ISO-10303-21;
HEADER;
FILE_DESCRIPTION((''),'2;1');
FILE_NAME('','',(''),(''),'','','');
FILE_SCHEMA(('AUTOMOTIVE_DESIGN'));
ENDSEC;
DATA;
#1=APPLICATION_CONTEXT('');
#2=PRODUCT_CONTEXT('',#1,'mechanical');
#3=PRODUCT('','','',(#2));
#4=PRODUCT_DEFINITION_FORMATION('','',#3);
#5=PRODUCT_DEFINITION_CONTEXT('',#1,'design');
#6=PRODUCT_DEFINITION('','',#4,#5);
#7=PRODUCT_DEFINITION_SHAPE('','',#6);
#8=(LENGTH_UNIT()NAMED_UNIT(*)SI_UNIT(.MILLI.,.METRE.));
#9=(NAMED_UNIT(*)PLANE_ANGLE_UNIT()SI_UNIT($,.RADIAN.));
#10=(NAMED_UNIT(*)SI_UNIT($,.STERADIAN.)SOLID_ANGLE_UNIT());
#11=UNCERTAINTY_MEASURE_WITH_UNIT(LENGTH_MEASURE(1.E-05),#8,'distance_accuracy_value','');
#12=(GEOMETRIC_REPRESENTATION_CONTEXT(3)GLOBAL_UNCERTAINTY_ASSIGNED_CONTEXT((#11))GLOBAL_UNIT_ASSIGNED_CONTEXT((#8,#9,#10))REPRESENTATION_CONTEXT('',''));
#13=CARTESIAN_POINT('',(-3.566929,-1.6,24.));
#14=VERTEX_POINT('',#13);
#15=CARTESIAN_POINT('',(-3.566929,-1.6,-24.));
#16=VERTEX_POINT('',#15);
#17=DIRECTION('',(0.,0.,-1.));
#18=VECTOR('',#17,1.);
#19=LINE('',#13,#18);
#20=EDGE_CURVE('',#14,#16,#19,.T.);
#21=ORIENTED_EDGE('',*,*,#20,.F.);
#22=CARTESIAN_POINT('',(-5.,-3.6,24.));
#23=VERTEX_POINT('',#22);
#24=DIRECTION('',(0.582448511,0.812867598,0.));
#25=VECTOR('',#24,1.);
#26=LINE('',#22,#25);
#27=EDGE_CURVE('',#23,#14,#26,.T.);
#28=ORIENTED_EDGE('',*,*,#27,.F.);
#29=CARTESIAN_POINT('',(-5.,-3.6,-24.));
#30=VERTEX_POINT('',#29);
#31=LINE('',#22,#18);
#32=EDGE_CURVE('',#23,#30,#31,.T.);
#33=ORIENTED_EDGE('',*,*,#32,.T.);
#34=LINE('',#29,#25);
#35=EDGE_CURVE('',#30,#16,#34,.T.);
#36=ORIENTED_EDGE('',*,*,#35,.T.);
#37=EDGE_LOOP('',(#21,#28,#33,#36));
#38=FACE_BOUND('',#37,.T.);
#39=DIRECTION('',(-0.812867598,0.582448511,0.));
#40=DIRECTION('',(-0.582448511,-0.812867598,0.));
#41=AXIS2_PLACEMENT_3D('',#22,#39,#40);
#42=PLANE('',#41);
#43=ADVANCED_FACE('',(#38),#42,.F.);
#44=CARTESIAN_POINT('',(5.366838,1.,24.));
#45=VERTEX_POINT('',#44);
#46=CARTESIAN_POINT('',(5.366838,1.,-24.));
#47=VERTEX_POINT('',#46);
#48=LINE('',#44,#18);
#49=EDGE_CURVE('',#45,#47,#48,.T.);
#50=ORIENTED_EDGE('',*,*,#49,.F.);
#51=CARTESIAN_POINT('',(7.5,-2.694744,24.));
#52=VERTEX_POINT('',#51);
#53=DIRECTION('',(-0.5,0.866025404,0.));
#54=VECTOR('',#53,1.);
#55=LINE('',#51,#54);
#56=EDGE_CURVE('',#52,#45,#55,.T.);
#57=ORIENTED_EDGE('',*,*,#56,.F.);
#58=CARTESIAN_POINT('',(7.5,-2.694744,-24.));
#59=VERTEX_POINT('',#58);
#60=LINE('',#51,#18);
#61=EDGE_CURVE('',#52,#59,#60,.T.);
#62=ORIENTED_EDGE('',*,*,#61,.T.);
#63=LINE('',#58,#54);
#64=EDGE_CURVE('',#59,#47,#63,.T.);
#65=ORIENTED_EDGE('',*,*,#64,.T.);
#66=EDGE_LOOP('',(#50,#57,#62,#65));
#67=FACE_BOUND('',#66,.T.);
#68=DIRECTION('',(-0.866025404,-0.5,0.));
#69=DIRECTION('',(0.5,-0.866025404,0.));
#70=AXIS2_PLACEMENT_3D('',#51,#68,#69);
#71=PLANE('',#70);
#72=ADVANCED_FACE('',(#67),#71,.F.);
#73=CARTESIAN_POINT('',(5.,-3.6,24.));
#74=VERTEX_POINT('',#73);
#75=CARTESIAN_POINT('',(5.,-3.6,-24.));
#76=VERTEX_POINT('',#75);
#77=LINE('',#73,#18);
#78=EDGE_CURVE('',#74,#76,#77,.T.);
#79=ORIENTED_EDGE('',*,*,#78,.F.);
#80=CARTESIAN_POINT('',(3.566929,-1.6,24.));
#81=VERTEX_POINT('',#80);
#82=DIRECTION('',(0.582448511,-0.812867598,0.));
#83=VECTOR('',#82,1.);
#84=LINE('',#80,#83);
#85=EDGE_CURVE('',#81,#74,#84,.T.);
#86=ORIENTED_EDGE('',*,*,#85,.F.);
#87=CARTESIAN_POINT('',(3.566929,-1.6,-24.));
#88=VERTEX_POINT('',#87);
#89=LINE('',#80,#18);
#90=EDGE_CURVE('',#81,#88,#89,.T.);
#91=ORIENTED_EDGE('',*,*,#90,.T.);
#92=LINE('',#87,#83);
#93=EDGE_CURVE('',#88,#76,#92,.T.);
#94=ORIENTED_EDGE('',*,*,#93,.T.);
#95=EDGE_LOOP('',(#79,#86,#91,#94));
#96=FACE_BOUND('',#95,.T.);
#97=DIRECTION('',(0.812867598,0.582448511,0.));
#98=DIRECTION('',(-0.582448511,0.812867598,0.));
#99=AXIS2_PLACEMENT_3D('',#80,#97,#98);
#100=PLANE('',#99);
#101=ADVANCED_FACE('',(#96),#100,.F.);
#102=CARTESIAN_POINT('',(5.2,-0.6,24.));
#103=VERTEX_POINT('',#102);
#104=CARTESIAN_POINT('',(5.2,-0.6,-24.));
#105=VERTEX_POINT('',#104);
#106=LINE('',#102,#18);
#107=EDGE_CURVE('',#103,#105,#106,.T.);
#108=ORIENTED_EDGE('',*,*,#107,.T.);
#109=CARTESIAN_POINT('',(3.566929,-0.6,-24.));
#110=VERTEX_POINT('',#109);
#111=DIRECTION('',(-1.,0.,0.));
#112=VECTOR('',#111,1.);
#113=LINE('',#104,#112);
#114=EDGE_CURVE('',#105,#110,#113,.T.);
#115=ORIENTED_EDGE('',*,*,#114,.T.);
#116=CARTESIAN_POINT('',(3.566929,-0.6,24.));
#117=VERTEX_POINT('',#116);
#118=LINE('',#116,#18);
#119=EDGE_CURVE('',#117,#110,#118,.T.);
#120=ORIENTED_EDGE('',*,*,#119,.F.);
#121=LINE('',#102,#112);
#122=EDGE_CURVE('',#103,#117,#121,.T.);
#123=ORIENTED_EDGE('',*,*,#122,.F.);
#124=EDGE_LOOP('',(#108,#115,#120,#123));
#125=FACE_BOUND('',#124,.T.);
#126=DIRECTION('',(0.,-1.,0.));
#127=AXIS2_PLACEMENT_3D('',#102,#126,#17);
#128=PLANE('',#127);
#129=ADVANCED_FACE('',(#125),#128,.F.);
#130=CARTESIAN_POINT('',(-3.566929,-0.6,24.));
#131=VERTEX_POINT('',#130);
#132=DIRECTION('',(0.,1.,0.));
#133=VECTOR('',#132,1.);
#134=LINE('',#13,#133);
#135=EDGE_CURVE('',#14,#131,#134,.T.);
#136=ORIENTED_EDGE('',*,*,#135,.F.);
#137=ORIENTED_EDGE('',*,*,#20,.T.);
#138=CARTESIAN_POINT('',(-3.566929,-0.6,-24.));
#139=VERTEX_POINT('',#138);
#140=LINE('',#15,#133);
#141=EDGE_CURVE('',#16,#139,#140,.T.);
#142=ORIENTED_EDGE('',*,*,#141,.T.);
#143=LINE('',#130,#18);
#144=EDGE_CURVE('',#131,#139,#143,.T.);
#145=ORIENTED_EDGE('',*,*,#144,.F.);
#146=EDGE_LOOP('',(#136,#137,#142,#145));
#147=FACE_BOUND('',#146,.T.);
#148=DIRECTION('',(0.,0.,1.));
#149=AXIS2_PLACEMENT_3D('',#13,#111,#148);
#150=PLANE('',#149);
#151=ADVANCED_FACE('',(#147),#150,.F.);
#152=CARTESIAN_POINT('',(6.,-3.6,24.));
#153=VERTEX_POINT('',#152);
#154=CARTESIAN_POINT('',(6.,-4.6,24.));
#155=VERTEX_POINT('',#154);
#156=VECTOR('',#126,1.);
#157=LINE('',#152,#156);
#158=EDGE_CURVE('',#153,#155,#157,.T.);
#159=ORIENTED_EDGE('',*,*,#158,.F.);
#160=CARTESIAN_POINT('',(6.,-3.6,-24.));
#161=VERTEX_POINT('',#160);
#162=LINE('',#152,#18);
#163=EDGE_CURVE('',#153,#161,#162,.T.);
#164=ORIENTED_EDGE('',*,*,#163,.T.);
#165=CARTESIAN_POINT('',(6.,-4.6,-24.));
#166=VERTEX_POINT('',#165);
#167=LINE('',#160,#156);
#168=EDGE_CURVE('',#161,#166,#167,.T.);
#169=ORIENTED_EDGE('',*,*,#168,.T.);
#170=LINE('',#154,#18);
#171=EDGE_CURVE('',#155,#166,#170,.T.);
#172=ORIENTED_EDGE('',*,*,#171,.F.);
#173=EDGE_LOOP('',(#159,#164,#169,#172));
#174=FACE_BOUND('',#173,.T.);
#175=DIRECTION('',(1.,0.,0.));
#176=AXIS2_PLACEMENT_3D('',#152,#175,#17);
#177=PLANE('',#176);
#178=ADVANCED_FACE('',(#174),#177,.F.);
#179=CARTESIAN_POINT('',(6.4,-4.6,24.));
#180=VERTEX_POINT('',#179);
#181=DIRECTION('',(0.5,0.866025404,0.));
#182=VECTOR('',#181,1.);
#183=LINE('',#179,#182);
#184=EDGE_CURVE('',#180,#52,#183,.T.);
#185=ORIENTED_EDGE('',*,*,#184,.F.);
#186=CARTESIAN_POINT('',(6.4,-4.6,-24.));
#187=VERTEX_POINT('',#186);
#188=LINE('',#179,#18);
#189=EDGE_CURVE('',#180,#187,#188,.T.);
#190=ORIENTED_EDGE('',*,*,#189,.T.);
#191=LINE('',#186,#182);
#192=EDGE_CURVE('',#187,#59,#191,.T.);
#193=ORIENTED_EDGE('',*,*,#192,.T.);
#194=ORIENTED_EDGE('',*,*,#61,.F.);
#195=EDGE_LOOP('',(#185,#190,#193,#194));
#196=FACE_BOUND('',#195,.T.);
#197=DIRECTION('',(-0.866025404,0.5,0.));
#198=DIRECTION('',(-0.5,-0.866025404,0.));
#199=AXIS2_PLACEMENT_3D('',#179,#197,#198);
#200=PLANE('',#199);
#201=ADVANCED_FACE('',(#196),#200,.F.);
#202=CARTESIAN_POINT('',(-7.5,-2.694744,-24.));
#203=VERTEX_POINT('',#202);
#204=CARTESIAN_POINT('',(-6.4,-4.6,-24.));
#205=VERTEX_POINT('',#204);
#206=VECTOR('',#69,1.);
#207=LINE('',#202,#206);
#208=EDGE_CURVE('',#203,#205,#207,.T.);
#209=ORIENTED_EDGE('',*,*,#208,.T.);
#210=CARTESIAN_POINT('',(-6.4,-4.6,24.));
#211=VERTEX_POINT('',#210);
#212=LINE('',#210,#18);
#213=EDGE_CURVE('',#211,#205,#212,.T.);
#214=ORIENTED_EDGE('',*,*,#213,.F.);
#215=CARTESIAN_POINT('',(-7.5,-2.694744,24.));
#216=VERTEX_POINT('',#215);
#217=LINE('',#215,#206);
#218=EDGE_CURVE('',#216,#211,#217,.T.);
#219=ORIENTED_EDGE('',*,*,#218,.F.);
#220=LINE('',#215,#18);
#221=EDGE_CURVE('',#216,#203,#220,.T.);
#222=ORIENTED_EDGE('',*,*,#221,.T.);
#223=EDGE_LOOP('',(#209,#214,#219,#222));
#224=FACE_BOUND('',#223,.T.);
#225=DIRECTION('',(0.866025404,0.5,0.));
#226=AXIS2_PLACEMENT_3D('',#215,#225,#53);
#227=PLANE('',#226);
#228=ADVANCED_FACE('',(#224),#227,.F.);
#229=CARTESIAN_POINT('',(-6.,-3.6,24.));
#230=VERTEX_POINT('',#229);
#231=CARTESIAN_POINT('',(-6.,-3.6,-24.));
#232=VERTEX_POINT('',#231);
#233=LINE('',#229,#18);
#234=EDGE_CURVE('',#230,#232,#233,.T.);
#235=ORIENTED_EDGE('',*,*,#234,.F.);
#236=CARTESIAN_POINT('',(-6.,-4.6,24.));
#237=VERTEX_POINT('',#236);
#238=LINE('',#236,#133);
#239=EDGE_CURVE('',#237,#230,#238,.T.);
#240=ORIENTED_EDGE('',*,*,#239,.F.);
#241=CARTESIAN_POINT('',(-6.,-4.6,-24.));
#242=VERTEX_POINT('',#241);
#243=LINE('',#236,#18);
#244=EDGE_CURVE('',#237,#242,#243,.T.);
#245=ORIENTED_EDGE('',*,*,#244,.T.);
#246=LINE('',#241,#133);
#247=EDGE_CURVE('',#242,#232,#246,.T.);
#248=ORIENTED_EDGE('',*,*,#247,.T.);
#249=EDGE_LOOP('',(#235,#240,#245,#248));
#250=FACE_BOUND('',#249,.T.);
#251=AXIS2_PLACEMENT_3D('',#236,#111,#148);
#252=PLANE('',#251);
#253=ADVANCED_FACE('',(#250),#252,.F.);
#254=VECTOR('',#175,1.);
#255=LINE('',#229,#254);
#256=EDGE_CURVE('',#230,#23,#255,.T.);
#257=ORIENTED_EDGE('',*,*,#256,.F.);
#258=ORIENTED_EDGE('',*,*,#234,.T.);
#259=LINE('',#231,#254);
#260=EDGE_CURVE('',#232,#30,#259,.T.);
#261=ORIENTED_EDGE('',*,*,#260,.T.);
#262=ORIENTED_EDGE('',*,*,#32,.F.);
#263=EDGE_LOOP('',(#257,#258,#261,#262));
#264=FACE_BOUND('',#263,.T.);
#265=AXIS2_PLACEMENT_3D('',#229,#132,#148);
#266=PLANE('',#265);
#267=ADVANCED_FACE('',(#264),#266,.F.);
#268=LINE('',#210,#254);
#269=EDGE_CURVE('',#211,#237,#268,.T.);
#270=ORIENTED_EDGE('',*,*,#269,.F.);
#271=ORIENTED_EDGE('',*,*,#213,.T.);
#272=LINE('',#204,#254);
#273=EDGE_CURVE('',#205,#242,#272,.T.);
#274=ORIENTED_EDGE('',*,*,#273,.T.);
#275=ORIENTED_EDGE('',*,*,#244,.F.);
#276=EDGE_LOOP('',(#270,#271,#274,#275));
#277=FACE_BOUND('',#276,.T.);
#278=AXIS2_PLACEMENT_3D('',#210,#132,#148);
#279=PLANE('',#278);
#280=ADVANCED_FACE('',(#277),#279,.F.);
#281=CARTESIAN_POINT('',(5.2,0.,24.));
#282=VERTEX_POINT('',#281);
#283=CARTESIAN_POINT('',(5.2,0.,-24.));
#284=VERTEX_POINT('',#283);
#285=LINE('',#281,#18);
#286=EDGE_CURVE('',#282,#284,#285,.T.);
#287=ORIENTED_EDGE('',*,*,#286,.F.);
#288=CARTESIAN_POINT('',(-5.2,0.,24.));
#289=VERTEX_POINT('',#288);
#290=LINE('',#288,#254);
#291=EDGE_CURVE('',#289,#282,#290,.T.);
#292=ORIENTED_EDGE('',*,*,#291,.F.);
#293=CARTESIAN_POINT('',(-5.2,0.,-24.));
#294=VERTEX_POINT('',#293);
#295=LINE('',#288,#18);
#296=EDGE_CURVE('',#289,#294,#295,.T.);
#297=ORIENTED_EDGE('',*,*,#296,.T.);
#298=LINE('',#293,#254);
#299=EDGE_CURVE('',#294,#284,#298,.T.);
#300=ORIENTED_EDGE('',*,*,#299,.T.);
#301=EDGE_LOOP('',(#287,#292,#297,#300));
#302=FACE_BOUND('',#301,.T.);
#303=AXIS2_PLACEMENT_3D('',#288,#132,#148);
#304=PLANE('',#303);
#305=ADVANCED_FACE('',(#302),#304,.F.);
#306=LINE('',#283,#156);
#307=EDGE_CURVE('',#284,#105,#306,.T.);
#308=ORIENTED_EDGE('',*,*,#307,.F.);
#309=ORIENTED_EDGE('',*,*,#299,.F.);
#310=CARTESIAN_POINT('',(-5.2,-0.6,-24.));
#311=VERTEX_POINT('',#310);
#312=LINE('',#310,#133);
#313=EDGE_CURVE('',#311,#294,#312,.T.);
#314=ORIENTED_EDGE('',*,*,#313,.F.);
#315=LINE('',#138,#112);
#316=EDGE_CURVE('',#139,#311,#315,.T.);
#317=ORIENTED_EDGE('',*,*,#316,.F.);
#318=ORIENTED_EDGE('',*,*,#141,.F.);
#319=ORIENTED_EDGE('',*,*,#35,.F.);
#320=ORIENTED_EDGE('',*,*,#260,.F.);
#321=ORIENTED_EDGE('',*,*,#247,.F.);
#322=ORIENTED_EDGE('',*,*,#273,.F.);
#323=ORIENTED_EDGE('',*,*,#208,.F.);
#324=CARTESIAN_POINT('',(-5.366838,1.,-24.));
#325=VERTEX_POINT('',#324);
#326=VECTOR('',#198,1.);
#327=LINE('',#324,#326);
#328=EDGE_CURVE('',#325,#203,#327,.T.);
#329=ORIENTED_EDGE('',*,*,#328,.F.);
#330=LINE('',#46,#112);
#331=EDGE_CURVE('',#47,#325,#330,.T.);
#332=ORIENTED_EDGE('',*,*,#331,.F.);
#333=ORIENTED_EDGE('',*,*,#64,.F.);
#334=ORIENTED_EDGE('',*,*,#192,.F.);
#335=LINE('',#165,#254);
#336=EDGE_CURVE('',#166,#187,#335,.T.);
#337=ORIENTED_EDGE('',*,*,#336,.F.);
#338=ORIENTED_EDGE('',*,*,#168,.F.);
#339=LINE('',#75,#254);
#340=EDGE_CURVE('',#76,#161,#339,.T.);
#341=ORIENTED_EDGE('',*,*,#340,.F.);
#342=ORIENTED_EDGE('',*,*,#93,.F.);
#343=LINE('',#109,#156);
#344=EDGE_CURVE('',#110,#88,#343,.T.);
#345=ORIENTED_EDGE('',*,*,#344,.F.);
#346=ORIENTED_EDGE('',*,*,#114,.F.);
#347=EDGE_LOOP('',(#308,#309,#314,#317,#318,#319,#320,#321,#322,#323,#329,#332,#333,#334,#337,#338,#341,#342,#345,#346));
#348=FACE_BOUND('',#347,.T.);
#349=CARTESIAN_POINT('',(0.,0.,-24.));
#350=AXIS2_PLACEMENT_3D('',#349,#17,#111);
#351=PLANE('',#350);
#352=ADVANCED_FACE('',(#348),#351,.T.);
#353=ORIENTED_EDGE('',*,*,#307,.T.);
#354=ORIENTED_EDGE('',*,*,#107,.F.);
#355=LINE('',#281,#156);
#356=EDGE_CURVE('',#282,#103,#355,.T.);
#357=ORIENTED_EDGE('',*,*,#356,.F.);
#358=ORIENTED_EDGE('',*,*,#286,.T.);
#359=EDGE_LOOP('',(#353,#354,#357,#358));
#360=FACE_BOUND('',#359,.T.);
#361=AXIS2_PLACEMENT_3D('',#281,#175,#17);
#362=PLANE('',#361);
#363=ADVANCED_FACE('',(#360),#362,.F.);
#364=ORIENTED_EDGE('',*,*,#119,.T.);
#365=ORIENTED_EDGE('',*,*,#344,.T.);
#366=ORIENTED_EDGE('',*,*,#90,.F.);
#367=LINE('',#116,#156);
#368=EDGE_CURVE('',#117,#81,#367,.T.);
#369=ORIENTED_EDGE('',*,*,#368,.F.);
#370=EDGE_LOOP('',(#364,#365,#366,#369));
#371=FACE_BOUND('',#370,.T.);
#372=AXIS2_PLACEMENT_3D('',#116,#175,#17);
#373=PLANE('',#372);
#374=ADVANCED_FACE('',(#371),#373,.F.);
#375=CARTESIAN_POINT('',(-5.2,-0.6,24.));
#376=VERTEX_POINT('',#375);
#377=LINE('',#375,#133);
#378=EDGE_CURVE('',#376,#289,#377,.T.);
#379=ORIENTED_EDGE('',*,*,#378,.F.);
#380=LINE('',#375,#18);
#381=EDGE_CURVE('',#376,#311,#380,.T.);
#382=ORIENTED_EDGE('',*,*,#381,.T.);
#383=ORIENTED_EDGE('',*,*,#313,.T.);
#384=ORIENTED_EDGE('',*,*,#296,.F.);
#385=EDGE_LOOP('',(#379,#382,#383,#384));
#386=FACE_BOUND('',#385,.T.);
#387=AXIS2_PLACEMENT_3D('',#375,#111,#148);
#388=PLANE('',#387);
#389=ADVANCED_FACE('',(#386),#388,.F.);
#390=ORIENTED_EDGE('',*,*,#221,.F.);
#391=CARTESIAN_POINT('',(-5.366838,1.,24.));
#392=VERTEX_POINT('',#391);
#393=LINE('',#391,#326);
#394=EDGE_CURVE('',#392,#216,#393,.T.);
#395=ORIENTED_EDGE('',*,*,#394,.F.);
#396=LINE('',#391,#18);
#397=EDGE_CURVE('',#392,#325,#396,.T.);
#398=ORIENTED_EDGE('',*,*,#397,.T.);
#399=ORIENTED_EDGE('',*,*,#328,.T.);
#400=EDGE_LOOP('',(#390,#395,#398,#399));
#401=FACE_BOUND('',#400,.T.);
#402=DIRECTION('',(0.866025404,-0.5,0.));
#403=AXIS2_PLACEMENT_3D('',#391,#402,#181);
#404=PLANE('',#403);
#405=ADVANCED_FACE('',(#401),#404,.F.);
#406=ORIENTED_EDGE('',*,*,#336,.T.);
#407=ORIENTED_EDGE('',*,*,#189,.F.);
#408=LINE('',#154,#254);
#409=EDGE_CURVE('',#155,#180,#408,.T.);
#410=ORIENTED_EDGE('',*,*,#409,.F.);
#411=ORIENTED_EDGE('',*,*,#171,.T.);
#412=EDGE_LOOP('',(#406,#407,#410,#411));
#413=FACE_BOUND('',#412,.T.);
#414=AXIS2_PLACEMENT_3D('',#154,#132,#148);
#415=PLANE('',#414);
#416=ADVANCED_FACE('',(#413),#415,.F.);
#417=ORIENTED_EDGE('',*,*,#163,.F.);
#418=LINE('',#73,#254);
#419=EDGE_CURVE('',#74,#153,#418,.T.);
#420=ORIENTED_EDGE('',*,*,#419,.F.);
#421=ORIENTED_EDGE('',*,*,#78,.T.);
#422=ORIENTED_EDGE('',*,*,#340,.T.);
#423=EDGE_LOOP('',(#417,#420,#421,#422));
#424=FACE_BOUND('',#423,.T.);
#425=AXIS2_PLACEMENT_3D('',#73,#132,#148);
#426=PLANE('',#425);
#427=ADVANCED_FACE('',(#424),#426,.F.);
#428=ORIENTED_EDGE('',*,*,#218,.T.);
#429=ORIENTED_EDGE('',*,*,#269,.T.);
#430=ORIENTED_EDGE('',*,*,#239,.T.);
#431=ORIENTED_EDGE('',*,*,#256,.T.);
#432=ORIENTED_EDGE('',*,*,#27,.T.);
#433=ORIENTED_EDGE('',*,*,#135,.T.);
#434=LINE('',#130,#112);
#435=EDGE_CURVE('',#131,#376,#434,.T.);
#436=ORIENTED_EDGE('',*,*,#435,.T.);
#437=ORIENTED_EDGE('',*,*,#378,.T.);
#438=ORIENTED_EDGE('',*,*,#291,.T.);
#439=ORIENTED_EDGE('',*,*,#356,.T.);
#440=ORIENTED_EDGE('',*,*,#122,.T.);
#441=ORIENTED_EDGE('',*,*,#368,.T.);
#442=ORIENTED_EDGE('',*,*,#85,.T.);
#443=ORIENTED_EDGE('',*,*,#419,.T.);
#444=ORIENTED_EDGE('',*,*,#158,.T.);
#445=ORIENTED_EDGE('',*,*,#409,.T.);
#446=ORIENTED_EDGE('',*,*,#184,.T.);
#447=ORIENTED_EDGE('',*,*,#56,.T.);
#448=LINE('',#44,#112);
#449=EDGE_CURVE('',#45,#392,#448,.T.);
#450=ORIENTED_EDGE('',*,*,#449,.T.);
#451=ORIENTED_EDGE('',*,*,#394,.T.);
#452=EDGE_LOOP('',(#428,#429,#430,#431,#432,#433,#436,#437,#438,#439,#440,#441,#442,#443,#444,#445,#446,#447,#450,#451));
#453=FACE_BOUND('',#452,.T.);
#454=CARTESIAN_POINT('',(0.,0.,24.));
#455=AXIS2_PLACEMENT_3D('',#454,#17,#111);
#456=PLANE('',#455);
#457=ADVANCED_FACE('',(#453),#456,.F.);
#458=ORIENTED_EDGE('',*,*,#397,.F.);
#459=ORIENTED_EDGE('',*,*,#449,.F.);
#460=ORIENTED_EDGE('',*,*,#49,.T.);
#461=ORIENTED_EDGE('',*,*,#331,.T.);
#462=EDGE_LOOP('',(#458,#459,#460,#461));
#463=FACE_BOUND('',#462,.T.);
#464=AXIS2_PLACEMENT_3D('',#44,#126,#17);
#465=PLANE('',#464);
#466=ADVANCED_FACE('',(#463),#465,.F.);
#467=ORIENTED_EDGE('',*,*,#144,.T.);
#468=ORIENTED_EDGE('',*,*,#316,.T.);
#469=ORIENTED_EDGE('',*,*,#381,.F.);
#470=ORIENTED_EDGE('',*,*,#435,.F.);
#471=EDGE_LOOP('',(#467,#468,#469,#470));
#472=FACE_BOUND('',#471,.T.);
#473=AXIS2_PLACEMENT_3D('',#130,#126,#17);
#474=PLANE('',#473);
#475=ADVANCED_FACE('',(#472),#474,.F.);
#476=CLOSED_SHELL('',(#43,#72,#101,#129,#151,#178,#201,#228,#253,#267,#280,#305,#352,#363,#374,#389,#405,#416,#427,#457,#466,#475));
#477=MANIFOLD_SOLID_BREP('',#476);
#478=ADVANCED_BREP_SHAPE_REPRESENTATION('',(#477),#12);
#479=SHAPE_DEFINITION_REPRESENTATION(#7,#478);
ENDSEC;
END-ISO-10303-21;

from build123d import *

# Parameters (mm, degrees)
BOSS_EXTRUDE1_DEPTH = 24


with BuildPart() as part:
    # Sketch2 → Boss-Extrude1 (new body, symmetric)
    with BuildSketch(Plane.XY):
        Polygon((7.5, -2.694744112), (5.366838493, 1), (-5.366838493, 1), (-7.5, -2.694744112), (-6.4, -4.6), (-6, -4.6), (-6, -3.6), (-5, -3.6), (-3.56692895, -1.6), (-3.56692895, -0.6), (-5.2, -0.6), (-5.2, 0), (5.2, 0), (5.2, -0.6), (3.56692895, -0.6), (3.56692895, -1.6), (5, -3.6), (6, -3.6), (6, -4.6), (6.4, -4.6), align=None)
    extrude(amount=BOSS_EXTRUDE1_DEPTH, both=True)


solid = part.part
